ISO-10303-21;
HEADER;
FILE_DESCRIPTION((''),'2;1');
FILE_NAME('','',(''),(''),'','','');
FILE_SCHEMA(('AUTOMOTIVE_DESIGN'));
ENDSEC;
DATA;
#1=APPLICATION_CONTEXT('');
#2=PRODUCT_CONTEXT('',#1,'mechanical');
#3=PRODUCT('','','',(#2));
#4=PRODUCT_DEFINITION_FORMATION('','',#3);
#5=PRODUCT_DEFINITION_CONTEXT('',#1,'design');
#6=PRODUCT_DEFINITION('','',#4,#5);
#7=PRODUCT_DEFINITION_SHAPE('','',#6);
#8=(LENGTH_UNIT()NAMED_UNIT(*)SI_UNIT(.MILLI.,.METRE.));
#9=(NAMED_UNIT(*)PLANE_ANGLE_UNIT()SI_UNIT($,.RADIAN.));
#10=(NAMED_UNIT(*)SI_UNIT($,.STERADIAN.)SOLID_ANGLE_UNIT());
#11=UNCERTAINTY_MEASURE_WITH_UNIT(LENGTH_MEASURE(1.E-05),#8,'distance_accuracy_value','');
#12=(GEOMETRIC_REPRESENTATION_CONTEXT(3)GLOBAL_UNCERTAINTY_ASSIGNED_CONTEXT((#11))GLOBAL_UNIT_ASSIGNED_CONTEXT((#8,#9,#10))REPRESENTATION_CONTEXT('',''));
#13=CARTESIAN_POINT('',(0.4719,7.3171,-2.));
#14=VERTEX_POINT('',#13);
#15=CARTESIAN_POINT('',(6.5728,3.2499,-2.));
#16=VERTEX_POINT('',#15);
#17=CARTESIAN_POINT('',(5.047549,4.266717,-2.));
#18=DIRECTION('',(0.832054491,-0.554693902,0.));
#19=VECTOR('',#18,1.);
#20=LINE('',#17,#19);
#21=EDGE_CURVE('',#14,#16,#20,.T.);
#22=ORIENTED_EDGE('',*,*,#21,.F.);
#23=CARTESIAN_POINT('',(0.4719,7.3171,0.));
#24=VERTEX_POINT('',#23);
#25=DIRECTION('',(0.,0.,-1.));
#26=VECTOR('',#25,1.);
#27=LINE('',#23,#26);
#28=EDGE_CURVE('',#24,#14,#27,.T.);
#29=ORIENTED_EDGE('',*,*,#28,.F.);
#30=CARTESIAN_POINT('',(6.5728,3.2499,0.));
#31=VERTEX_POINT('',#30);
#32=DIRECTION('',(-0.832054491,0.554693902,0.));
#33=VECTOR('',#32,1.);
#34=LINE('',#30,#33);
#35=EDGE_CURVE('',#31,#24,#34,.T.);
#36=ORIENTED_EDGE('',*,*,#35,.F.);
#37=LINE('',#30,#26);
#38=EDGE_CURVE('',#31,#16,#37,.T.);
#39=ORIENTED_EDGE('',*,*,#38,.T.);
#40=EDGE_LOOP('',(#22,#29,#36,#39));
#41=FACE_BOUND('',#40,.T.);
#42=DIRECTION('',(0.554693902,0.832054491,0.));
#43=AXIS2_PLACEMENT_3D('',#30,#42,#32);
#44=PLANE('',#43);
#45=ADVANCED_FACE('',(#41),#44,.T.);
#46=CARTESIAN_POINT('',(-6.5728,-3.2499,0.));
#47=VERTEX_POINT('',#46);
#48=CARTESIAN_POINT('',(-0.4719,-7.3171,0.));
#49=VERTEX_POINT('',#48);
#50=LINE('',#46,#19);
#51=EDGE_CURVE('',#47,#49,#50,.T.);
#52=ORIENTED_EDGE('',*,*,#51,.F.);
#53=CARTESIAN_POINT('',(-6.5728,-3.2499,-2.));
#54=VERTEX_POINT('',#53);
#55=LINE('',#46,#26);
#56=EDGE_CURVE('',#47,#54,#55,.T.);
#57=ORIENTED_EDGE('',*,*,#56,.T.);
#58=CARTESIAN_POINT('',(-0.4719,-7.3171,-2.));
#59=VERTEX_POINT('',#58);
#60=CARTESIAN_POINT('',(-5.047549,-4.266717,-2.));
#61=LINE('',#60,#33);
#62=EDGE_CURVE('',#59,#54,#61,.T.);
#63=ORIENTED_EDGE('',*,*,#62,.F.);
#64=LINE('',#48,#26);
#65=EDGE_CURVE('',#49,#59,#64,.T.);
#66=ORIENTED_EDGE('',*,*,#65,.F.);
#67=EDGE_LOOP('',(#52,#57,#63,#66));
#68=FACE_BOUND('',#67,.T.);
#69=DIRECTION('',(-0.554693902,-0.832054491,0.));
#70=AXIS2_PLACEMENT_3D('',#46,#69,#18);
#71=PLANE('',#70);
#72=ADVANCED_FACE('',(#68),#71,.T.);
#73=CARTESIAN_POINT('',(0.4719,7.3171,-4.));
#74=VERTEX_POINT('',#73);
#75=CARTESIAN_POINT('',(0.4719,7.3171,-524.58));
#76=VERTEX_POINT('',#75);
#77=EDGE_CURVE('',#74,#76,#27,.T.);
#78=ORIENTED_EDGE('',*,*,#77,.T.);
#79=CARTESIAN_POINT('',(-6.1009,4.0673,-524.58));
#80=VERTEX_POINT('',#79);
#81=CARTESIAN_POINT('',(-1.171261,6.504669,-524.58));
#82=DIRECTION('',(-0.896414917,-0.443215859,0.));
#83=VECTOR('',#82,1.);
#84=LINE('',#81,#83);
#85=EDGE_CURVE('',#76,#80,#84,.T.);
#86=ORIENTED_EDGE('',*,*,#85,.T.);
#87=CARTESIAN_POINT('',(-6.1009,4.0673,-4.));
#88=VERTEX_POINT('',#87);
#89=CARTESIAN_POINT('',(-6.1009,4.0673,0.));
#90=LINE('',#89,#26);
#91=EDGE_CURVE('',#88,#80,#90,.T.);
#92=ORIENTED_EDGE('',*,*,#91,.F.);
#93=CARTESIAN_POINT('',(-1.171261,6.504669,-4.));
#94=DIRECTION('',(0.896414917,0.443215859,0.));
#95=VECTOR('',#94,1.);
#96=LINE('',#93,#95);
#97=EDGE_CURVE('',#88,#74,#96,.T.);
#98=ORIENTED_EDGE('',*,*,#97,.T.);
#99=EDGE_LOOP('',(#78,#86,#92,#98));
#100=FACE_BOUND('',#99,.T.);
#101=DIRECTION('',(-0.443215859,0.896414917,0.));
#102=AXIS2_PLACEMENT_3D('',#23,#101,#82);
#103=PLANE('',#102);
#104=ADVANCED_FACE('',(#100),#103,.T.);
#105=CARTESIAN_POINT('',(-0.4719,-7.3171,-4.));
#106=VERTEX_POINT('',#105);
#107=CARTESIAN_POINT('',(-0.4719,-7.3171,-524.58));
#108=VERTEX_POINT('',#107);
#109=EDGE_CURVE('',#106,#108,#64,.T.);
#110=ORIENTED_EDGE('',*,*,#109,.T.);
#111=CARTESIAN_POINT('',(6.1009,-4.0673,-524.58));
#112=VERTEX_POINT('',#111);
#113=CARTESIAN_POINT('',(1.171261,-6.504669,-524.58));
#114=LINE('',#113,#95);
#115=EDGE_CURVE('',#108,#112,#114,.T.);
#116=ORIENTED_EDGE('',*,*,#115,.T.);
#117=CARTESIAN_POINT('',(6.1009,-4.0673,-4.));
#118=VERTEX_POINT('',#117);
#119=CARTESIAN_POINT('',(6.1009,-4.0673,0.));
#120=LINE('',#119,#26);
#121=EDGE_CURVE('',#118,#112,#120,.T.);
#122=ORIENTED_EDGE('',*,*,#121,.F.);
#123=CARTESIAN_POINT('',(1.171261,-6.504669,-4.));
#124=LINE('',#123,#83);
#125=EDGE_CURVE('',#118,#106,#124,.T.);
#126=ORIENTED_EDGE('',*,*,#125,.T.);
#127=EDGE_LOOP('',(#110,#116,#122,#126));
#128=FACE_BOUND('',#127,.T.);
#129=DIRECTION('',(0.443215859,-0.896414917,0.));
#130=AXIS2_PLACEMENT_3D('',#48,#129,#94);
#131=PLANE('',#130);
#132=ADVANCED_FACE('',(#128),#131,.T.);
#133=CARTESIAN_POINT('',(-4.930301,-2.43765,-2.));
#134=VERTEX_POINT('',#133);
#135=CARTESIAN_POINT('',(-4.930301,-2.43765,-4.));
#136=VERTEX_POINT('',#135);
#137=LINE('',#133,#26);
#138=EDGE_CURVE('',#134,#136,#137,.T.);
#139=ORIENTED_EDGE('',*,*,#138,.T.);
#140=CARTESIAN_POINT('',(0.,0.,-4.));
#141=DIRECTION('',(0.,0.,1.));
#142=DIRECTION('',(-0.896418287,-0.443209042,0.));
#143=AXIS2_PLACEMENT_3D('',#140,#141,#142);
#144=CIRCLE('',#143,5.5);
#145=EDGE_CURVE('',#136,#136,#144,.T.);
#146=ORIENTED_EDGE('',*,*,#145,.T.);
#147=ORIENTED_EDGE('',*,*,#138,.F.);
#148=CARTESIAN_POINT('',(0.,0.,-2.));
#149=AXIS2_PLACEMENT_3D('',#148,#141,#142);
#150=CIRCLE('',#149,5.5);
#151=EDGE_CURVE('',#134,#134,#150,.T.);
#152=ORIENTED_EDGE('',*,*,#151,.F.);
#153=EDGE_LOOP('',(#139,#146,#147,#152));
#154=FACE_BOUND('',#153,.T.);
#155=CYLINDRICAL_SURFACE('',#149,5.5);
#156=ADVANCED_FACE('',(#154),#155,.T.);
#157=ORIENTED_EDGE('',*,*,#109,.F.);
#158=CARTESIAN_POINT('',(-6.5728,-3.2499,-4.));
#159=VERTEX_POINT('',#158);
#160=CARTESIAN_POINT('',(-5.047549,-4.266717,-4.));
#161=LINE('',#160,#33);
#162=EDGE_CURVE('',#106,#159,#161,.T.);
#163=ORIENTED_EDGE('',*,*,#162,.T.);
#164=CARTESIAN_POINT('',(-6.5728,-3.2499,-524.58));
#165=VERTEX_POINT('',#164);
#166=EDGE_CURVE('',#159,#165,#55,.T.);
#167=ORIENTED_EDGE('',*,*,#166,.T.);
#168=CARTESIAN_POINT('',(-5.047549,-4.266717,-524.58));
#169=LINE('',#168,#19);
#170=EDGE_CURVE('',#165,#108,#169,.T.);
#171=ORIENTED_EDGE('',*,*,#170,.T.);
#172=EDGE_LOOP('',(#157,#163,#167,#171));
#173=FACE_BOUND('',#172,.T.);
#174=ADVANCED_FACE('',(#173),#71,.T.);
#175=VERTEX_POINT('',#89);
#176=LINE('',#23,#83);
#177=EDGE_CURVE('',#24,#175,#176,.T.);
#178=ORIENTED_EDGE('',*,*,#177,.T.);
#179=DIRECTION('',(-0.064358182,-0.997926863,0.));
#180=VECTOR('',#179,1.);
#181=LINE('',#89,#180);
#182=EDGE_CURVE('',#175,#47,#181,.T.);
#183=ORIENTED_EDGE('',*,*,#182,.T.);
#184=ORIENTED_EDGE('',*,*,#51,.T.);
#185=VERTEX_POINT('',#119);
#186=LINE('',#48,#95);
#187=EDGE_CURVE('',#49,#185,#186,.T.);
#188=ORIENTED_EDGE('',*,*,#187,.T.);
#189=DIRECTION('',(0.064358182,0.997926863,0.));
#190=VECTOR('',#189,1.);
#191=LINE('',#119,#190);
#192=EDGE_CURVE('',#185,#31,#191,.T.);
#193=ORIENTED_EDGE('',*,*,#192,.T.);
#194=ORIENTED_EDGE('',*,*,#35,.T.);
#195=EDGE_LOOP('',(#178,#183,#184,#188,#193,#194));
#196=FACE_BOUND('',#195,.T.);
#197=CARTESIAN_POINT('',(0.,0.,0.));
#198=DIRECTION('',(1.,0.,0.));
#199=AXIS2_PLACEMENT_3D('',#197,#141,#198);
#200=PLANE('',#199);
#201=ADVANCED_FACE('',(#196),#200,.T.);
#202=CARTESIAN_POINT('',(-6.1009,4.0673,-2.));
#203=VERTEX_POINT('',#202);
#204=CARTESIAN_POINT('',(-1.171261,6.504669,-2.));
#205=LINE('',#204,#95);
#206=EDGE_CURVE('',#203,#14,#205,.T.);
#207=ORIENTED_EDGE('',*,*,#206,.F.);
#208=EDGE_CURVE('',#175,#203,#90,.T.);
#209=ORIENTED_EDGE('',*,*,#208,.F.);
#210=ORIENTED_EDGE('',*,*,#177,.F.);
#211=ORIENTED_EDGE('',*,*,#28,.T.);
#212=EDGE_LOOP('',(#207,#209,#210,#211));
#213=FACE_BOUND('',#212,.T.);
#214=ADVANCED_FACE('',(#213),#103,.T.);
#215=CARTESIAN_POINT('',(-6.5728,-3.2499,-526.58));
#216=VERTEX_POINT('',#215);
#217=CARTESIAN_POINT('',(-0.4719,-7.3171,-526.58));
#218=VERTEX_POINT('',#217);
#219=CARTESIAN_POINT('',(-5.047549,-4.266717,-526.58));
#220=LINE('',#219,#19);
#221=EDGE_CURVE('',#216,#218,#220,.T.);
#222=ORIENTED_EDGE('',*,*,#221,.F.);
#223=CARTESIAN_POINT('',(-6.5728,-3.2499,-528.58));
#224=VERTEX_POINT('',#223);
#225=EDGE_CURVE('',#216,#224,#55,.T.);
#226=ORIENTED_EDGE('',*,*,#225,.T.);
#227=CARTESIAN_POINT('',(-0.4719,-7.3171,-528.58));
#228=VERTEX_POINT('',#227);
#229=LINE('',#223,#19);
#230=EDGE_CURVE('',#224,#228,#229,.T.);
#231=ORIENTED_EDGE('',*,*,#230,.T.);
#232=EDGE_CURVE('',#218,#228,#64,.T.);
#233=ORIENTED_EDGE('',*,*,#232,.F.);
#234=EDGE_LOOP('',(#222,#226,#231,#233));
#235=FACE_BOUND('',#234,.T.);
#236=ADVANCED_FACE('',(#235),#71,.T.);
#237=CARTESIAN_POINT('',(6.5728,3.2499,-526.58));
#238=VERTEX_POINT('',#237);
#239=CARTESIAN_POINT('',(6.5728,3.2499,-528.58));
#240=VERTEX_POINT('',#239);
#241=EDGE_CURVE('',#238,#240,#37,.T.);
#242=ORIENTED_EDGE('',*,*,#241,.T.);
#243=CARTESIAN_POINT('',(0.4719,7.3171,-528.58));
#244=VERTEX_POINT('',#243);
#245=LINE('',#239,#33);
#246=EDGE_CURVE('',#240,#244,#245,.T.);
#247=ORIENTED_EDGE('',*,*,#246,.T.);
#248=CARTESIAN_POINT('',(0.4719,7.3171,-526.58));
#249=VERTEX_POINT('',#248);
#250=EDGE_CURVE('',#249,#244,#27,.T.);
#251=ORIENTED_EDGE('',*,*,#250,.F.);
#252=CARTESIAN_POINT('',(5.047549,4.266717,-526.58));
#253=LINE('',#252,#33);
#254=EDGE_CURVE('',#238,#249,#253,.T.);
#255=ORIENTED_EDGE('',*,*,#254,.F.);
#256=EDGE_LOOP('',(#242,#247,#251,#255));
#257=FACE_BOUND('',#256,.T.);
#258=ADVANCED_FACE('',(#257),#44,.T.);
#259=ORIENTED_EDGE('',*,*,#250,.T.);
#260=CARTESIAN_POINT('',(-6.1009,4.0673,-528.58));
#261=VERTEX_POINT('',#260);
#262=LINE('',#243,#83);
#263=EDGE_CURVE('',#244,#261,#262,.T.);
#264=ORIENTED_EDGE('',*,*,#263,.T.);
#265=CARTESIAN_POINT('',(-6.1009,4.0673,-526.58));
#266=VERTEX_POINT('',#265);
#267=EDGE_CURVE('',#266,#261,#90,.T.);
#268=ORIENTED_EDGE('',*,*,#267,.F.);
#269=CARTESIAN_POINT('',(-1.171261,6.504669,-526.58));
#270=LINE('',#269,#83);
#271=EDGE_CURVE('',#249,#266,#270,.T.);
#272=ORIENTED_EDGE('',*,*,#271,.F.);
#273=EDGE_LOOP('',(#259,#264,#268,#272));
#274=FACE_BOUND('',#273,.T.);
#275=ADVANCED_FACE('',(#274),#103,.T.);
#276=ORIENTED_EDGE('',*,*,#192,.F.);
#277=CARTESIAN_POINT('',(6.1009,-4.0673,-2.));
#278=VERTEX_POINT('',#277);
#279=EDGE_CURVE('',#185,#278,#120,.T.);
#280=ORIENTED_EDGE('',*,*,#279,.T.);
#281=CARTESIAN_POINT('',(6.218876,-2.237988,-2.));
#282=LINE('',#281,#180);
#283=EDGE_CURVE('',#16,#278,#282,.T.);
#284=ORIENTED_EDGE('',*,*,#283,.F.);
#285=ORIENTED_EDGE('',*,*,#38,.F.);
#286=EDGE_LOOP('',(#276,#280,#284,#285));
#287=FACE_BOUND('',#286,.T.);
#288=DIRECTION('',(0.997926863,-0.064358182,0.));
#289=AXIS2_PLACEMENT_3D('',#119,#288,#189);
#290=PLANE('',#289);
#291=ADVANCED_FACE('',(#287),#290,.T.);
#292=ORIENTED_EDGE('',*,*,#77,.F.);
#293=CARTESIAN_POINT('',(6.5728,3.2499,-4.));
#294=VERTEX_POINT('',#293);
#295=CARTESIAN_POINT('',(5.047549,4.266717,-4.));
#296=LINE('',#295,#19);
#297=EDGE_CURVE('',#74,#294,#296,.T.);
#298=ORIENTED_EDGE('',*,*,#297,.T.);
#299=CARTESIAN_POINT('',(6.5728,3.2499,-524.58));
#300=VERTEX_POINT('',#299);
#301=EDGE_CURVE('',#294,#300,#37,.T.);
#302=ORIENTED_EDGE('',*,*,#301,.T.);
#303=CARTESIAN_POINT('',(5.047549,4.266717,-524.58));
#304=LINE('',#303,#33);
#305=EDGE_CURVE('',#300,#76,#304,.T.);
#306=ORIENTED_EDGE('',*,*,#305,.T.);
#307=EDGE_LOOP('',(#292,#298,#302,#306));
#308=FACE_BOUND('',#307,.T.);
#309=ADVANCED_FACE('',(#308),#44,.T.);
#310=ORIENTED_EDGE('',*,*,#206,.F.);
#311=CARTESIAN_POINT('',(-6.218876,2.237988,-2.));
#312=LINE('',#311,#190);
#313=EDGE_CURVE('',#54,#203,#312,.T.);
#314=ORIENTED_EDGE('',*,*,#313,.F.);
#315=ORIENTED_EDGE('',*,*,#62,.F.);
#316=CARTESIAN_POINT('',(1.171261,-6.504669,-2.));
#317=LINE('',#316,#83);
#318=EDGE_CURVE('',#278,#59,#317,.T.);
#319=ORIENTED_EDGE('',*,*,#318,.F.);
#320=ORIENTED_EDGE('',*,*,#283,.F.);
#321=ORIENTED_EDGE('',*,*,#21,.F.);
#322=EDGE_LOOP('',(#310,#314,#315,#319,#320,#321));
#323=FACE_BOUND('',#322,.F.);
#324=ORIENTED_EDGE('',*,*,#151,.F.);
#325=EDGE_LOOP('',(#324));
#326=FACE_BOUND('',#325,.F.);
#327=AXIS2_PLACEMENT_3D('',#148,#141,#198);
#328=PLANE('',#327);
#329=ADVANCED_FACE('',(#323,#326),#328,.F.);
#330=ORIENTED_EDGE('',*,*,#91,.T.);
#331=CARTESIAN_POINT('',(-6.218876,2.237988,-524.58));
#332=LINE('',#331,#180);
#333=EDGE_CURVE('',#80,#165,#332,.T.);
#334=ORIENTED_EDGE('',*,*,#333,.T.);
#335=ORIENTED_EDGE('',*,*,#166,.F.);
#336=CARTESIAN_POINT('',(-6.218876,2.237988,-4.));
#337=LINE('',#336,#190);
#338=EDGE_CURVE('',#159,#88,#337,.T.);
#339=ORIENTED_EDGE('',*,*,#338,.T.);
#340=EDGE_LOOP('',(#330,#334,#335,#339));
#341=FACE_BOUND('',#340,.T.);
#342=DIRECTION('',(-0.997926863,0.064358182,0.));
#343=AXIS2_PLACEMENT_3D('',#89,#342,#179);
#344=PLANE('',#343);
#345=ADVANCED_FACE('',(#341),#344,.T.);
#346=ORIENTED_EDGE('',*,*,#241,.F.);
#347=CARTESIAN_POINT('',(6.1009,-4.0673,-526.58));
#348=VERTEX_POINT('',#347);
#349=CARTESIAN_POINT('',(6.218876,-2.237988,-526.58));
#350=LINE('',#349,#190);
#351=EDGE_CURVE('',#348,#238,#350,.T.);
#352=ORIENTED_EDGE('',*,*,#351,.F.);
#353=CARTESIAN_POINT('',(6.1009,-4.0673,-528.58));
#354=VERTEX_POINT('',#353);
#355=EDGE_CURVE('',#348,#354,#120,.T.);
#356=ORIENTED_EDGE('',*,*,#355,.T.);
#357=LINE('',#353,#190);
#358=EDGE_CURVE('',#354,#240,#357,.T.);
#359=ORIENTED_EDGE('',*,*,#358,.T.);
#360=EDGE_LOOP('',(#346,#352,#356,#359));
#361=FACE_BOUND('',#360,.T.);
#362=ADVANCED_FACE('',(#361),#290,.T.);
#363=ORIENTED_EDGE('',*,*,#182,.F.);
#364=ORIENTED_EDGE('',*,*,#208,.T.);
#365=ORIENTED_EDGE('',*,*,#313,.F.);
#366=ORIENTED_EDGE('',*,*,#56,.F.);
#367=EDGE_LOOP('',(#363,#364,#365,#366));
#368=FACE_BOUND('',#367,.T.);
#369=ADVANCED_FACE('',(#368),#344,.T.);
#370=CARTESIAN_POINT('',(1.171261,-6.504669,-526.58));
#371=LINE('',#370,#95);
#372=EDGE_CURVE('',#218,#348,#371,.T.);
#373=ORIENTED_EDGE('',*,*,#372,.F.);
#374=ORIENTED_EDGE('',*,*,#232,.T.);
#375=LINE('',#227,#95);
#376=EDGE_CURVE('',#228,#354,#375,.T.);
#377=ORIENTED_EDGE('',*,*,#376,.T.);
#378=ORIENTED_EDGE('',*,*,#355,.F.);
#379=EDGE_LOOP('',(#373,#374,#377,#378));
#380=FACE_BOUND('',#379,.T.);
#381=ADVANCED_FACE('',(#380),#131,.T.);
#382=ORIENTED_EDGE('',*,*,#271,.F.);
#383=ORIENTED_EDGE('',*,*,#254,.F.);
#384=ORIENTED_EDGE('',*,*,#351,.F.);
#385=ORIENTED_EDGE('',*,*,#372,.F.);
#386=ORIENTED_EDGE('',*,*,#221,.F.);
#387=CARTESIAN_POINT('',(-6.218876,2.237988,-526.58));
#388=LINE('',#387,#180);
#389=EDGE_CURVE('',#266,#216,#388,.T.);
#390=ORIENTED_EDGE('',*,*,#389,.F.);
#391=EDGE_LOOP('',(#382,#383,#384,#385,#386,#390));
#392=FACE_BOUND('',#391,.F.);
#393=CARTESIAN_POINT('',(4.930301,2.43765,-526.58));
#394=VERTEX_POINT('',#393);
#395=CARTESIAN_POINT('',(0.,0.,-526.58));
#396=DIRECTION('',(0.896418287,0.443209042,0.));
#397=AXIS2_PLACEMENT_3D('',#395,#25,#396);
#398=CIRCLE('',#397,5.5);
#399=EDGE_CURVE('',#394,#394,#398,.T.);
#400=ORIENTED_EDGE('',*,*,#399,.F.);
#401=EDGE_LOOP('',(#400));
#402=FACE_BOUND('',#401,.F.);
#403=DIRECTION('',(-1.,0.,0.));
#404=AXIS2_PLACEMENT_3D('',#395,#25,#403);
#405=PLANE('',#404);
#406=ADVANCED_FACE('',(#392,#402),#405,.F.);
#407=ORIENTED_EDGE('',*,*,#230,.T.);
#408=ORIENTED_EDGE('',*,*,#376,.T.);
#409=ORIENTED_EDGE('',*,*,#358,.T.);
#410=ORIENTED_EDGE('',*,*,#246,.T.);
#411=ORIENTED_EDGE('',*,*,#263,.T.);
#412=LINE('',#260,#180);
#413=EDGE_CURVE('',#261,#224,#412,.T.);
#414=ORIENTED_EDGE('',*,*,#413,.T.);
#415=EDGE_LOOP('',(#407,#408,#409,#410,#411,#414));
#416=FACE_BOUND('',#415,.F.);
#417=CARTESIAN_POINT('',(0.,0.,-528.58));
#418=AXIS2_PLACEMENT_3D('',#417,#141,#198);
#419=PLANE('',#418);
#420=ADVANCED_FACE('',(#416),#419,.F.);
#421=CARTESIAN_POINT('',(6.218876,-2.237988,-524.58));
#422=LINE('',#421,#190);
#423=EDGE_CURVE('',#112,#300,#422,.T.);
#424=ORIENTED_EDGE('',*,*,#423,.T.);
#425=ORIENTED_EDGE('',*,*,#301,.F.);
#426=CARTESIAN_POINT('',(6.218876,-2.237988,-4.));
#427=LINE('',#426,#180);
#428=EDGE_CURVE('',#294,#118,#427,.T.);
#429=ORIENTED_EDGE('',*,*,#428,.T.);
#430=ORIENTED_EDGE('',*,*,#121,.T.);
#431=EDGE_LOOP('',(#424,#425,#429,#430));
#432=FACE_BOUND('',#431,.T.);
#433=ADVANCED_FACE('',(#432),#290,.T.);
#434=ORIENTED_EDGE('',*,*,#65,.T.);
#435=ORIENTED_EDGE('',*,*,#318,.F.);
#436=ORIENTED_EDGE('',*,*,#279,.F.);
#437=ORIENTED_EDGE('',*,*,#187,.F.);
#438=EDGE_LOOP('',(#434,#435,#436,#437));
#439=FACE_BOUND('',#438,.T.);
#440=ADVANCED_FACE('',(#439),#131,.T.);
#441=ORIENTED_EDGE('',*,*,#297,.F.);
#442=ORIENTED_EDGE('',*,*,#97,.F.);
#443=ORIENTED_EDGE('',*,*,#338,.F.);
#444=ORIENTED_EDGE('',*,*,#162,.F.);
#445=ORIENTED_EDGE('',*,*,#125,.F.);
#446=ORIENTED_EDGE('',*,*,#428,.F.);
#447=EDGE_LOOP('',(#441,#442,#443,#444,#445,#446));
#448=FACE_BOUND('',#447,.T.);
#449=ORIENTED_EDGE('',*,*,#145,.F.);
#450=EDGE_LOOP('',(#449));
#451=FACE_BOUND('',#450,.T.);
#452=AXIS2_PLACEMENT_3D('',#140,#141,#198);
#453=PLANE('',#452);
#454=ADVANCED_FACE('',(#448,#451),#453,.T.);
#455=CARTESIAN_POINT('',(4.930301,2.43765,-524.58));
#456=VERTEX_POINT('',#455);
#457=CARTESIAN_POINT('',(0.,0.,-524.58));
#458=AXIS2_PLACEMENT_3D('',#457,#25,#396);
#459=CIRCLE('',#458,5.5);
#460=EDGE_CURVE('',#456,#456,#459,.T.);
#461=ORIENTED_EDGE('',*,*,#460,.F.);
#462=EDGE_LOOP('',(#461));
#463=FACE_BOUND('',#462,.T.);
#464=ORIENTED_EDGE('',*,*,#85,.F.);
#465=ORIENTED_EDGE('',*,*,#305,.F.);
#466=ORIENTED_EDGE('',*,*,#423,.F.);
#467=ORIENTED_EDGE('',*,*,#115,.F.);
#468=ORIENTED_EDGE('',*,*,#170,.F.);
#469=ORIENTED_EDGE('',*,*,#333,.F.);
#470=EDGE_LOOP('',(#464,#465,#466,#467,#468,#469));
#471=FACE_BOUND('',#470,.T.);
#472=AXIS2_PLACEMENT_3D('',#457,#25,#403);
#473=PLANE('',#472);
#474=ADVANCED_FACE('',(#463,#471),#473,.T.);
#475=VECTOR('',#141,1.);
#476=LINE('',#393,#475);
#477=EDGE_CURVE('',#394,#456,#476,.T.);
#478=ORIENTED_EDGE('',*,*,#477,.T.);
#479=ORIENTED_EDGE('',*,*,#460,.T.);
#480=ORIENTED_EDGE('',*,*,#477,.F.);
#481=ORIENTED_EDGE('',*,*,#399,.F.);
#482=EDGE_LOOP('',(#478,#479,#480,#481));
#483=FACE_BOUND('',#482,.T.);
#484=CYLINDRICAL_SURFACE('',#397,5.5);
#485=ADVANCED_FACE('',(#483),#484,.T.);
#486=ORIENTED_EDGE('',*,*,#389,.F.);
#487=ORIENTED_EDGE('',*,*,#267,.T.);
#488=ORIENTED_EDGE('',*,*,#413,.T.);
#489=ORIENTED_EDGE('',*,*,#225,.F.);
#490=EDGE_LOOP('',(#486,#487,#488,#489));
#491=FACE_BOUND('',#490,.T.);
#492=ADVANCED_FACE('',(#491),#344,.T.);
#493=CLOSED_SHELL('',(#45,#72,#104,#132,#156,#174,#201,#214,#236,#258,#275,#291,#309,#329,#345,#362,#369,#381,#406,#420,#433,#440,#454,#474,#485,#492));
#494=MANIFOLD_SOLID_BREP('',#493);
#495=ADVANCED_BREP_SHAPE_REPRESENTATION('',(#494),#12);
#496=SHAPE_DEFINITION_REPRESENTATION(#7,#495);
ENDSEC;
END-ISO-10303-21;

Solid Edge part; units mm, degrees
sketch "Sketch1" plane through (0, 0, 0) normal (0, 0, 1) x (1, 0, 0)
  line L0 (-6.1009, 4.0673) -> (-6.5728, -3.2499)
  line L1 (-6.5728, -3.2499) -> (-0.4719, -7.3171)
  line L2 (-0.4719, -7.3171) -> (6.1009, -4.0673)
  line L3 (6.1009, -4.0673) -> (6.5728, 3.2499)
  line L4 (6.5728, 3.2499) -> (0.4719, 7.3171)
  line L5 (0.4719, 7.3171) -> (-6.1009, 4.0673)
extrude "Protrusion1" add sketch "Sketch1" against normal blind 528.58
sketch "Sketch2" plane through (0, 0, -2) normal (0, 0, 1) x (-0.8964, -0.4432, 0)
  circle A0 centre (0, 0) radius 5.5
  circle A1 centre (0, 0) radius 13.1424
extrude "ExtrudedCutout_1" cut sketch "Sketch2" against normal blind 2
sketch "Sketch3" plane through (0, 0, -526.58) normal (0, 0, -1) x (0.8964, 0.4432, 0)
  circle A0 centre (0, 0) radius 5.5
  circle A1 centre (0, 0) radius 13.1424
extrude "ExtrudedCutout_2" cut sketch "Sketch3" against normal blind 2
properties part number "BumbleB0532"
